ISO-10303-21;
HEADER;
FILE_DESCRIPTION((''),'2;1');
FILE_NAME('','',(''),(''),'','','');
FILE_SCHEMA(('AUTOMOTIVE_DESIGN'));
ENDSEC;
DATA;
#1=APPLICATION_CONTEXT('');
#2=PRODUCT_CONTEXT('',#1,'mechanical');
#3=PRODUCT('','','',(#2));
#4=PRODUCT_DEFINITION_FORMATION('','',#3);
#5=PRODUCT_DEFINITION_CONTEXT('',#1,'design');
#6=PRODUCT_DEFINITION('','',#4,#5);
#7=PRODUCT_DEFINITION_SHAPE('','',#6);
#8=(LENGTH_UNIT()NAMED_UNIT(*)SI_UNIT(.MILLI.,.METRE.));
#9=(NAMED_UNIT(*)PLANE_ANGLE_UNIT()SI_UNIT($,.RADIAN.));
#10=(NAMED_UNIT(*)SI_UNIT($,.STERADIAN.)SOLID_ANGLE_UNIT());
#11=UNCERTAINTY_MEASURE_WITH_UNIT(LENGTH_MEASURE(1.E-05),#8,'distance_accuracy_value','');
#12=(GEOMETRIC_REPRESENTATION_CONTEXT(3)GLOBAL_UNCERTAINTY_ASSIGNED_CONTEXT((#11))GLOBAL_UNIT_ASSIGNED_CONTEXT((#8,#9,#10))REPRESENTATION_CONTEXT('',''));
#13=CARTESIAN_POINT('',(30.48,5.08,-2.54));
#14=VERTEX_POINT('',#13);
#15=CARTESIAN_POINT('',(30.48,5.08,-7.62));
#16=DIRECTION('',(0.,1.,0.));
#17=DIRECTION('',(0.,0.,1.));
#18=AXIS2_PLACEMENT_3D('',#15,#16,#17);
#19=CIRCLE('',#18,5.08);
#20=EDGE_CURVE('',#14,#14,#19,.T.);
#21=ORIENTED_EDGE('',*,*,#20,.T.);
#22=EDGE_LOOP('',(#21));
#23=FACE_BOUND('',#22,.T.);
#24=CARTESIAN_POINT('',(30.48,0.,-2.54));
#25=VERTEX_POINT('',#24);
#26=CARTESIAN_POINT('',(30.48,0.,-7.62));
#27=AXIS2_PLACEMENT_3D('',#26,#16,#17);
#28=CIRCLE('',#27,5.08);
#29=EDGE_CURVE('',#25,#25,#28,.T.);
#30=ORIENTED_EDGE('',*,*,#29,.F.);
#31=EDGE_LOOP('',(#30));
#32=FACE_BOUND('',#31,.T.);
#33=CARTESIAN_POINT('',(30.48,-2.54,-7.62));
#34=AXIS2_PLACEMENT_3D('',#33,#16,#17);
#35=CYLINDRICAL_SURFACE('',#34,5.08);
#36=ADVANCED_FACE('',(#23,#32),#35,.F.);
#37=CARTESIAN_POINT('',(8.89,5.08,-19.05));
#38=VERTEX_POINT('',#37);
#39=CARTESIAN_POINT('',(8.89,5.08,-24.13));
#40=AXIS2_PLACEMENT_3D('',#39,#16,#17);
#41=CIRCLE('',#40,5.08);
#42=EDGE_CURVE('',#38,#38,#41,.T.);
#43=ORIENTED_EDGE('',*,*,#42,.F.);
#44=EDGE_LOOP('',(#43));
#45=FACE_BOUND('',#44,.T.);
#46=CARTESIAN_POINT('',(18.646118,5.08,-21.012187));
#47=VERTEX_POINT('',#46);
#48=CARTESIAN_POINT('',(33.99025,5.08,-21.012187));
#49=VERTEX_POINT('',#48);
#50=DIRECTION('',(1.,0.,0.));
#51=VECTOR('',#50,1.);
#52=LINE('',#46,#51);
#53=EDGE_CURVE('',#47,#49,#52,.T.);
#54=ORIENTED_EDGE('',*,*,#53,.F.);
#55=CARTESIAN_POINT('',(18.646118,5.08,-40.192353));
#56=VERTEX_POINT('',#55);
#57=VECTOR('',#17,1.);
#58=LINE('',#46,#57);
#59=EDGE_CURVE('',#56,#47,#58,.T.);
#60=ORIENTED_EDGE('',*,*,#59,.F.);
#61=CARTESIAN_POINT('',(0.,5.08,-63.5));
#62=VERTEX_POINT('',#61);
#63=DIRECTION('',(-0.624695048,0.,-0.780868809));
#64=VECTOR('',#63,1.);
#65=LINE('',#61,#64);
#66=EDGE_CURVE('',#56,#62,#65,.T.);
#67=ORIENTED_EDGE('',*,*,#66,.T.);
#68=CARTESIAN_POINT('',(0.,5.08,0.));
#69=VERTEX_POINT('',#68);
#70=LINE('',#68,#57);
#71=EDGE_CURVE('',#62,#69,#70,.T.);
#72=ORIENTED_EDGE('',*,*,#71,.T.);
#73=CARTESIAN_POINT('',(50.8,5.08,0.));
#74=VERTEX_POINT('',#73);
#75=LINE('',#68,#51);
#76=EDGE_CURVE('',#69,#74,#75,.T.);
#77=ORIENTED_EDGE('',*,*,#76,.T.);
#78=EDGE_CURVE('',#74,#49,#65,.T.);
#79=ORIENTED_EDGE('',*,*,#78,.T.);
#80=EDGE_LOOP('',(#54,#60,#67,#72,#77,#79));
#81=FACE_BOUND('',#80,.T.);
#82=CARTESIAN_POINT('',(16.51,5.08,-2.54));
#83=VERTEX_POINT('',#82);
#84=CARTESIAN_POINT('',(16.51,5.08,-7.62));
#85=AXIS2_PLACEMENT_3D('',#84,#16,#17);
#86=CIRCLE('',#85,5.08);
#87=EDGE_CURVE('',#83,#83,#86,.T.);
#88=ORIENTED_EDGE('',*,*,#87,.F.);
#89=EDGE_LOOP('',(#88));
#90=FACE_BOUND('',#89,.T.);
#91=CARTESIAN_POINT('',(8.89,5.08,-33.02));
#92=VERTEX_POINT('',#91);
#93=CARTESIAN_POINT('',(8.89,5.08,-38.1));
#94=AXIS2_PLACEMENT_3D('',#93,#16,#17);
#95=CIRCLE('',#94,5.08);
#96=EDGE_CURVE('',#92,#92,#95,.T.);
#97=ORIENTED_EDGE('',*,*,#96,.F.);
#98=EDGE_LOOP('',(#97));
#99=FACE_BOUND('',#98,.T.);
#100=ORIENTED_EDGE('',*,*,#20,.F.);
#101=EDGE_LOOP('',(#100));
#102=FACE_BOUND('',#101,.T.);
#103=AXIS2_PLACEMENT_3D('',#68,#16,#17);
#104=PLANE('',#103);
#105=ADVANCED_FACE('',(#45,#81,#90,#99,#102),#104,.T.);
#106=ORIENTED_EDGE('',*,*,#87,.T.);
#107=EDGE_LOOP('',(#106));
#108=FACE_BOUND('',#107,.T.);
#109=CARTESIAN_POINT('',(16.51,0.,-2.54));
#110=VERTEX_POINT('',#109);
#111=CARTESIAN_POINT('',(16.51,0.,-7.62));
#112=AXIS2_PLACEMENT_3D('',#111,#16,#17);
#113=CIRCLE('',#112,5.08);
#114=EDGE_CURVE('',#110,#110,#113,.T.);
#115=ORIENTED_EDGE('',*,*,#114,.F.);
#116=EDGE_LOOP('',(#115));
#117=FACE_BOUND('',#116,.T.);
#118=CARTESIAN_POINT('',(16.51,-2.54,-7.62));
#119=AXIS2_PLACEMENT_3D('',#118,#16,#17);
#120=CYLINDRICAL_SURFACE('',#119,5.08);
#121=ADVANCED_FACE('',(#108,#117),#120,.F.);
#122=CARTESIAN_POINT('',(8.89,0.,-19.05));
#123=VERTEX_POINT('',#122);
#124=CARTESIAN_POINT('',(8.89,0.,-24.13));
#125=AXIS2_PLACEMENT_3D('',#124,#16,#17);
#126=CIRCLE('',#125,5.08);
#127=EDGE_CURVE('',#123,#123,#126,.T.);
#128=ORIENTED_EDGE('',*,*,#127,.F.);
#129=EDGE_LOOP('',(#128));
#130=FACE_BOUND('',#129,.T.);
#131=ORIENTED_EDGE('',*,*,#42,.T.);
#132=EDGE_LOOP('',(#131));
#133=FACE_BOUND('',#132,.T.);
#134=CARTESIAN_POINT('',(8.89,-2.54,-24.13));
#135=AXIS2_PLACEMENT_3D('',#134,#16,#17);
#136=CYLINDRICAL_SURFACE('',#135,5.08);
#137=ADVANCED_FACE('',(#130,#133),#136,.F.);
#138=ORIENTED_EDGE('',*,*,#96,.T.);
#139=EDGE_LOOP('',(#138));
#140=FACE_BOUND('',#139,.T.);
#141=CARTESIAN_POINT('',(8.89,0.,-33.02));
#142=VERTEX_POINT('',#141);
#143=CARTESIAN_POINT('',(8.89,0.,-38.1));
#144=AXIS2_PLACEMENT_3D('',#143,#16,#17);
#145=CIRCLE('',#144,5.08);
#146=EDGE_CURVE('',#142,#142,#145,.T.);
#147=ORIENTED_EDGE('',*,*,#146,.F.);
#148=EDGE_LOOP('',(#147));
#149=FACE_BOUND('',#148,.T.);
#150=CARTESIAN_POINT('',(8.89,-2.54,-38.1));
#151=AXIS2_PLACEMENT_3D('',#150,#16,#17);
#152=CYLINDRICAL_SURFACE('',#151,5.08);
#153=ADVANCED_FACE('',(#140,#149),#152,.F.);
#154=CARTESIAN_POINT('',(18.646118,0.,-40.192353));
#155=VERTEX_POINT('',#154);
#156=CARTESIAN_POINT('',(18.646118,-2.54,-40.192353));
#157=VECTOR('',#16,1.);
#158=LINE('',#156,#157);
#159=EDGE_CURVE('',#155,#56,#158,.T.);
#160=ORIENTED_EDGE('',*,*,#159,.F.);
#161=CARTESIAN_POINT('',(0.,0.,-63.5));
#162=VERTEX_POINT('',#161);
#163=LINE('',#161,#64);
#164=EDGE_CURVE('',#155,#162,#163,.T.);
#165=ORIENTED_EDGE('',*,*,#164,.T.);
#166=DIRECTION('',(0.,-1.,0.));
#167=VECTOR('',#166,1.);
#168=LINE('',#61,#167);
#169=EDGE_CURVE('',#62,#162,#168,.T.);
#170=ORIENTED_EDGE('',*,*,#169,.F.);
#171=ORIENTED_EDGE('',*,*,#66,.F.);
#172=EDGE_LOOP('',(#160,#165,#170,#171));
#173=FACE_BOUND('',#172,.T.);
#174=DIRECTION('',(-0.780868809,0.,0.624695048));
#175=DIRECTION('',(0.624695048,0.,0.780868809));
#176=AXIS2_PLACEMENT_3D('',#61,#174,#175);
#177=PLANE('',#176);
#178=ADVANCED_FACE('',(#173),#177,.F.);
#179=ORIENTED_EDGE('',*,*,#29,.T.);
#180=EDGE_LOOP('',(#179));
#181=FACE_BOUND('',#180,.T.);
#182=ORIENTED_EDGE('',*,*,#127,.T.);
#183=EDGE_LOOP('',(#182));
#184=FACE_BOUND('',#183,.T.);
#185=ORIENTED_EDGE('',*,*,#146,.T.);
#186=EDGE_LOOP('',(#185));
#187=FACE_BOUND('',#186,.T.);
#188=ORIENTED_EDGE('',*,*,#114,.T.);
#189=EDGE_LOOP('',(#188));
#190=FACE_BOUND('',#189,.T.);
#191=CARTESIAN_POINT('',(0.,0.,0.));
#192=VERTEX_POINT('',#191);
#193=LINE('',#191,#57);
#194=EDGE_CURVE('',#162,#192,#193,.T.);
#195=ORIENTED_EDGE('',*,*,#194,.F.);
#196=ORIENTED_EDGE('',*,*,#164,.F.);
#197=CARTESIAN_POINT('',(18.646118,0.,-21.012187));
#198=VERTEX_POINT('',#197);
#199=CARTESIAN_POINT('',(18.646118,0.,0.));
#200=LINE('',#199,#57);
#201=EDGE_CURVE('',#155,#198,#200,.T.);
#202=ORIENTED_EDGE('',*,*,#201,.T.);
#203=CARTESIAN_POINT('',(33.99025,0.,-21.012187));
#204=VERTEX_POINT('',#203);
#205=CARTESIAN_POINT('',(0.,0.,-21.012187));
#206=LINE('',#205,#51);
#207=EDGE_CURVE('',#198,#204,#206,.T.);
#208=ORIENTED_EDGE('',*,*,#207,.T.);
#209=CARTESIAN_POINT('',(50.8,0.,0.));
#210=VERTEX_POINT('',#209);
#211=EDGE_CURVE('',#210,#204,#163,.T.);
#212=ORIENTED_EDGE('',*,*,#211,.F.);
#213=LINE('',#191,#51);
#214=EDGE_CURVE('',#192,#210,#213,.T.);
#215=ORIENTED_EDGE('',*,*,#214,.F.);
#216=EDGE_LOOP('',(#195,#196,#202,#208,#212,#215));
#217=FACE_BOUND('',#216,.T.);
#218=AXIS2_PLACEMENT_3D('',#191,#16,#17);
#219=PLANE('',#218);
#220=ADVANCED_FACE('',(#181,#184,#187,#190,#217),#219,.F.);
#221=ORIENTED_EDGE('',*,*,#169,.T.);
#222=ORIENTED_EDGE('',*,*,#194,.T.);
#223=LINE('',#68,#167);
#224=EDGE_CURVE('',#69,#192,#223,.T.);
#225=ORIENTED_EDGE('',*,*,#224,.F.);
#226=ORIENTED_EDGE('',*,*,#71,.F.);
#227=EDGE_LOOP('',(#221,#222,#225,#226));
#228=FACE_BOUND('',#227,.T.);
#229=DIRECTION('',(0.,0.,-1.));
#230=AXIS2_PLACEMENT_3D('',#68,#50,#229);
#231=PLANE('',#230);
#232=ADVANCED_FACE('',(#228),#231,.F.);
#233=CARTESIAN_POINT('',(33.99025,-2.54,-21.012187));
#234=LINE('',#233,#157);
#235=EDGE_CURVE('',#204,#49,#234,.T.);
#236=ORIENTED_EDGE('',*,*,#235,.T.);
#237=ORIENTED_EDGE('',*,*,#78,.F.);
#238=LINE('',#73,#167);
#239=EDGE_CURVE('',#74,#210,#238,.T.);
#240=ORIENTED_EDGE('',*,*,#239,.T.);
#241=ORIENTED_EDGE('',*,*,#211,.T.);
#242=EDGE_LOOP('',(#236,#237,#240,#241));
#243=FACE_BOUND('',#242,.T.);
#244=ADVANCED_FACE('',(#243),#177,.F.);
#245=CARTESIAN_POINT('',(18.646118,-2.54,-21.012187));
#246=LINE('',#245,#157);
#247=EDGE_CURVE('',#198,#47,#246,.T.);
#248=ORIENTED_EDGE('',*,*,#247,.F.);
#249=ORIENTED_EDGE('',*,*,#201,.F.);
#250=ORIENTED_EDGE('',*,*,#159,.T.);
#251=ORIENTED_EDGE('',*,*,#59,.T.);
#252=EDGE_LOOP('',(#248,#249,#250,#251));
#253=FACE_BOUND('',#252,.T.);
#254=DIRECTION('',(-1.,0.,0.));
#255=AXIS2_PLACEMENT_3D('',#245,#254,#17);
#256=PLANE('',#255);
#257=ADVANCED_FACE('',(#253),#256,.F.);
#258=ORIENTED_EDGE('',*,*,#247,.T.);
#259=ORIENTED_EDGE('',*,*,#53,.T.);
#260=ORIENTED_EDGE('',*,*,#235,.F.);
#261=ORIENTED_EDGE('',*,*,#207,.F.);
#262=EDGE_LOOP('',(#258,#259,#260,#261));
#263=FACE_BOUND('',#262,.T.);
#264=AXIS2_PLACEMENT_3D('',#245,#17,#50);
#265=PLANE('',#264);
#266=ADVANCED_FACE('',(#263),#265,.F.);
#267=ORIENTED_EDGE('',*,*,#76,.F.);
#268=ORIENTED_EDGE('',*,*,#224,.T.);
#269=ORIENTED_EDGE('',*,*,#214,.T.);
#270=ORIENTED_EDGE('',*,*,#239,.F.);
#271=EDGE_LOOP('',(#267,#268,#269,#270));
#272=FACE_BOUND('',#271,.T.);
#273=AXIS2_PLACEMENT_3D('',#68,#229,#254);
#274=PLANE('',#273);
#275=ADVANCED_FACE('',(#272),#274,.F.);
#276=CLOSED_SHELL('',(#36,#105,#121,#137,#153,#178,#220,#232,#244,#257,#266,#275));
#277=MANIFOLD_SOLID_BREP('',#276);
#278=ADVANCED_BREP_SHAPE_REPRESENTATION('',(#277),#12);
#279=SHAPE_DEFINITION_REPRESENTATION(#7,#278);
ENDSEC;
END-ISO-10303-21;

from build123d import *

# Parameters (mm, degrees)
BOSS_EXTRUDE1_DEPTH = 5.08
SKETCH2_R           = 5.08
CUT_EXTRUDE1_DEPTH  = 7.62
CUT_EXTRUDE2_DEPTH  = 7.62


with BuildPart() as part:
    # Sketch1 → Boss-Extrude1 (new body)
    with BuildSketch(Plane(origin=(0, 0, 0), x_dir=(1, 0, 0), z_dir=(0, 1, 0))):
        Polygon((0, 0), (0, 63.5), (50.8, 0), align=None)
    extrude(amount=BOSS_EXTRUDE1_DEPTH)

    # Sketch2 → Cut-Extrude1 (cut)
    with BuildSketch(Plane(origin=(0, 5.08, 0), x_dir=(1, 0, 0), z_dir=(0, 1, 0))):
        with Locations(Location((8.89, 24.13, 0), (0, 0, 270))):
            Circle(SKETCH2_R)
        with Locations(Location((8.89, 38.1, 0), (0, 0, 270))):
            Circle(SKETCH2_R)
        with Locations(Location((16.51, 7.62, 0), (0, 0, 270))):
            Circle(SKETCH2_R)
        with Locations(Location((30.48, 7.62, 0), (0, 0, 270))):
            Circle(SKETCH2_R)
    extrude(amount=-CUT_EXTRUDE1_DEPTH, mode=Mode.SUBTRACT)

    # Sketch3 → Cut-Extrude2 (cut)
    with BuildSketch(Plane(origin=(0, 5.08, 0), x_dir=(1, 0, 0), z_dir=(0, 1, 0))):
        Polygon((18.646117634, 21.012186882), (18.646117634, 40.192352958), (33.990250495, 21.012186882), align=None)
    extrude(amount=-CUT_EXTRUDE2_DEPTH, mode=Mode.SUBTRACT)


solid = part.part
